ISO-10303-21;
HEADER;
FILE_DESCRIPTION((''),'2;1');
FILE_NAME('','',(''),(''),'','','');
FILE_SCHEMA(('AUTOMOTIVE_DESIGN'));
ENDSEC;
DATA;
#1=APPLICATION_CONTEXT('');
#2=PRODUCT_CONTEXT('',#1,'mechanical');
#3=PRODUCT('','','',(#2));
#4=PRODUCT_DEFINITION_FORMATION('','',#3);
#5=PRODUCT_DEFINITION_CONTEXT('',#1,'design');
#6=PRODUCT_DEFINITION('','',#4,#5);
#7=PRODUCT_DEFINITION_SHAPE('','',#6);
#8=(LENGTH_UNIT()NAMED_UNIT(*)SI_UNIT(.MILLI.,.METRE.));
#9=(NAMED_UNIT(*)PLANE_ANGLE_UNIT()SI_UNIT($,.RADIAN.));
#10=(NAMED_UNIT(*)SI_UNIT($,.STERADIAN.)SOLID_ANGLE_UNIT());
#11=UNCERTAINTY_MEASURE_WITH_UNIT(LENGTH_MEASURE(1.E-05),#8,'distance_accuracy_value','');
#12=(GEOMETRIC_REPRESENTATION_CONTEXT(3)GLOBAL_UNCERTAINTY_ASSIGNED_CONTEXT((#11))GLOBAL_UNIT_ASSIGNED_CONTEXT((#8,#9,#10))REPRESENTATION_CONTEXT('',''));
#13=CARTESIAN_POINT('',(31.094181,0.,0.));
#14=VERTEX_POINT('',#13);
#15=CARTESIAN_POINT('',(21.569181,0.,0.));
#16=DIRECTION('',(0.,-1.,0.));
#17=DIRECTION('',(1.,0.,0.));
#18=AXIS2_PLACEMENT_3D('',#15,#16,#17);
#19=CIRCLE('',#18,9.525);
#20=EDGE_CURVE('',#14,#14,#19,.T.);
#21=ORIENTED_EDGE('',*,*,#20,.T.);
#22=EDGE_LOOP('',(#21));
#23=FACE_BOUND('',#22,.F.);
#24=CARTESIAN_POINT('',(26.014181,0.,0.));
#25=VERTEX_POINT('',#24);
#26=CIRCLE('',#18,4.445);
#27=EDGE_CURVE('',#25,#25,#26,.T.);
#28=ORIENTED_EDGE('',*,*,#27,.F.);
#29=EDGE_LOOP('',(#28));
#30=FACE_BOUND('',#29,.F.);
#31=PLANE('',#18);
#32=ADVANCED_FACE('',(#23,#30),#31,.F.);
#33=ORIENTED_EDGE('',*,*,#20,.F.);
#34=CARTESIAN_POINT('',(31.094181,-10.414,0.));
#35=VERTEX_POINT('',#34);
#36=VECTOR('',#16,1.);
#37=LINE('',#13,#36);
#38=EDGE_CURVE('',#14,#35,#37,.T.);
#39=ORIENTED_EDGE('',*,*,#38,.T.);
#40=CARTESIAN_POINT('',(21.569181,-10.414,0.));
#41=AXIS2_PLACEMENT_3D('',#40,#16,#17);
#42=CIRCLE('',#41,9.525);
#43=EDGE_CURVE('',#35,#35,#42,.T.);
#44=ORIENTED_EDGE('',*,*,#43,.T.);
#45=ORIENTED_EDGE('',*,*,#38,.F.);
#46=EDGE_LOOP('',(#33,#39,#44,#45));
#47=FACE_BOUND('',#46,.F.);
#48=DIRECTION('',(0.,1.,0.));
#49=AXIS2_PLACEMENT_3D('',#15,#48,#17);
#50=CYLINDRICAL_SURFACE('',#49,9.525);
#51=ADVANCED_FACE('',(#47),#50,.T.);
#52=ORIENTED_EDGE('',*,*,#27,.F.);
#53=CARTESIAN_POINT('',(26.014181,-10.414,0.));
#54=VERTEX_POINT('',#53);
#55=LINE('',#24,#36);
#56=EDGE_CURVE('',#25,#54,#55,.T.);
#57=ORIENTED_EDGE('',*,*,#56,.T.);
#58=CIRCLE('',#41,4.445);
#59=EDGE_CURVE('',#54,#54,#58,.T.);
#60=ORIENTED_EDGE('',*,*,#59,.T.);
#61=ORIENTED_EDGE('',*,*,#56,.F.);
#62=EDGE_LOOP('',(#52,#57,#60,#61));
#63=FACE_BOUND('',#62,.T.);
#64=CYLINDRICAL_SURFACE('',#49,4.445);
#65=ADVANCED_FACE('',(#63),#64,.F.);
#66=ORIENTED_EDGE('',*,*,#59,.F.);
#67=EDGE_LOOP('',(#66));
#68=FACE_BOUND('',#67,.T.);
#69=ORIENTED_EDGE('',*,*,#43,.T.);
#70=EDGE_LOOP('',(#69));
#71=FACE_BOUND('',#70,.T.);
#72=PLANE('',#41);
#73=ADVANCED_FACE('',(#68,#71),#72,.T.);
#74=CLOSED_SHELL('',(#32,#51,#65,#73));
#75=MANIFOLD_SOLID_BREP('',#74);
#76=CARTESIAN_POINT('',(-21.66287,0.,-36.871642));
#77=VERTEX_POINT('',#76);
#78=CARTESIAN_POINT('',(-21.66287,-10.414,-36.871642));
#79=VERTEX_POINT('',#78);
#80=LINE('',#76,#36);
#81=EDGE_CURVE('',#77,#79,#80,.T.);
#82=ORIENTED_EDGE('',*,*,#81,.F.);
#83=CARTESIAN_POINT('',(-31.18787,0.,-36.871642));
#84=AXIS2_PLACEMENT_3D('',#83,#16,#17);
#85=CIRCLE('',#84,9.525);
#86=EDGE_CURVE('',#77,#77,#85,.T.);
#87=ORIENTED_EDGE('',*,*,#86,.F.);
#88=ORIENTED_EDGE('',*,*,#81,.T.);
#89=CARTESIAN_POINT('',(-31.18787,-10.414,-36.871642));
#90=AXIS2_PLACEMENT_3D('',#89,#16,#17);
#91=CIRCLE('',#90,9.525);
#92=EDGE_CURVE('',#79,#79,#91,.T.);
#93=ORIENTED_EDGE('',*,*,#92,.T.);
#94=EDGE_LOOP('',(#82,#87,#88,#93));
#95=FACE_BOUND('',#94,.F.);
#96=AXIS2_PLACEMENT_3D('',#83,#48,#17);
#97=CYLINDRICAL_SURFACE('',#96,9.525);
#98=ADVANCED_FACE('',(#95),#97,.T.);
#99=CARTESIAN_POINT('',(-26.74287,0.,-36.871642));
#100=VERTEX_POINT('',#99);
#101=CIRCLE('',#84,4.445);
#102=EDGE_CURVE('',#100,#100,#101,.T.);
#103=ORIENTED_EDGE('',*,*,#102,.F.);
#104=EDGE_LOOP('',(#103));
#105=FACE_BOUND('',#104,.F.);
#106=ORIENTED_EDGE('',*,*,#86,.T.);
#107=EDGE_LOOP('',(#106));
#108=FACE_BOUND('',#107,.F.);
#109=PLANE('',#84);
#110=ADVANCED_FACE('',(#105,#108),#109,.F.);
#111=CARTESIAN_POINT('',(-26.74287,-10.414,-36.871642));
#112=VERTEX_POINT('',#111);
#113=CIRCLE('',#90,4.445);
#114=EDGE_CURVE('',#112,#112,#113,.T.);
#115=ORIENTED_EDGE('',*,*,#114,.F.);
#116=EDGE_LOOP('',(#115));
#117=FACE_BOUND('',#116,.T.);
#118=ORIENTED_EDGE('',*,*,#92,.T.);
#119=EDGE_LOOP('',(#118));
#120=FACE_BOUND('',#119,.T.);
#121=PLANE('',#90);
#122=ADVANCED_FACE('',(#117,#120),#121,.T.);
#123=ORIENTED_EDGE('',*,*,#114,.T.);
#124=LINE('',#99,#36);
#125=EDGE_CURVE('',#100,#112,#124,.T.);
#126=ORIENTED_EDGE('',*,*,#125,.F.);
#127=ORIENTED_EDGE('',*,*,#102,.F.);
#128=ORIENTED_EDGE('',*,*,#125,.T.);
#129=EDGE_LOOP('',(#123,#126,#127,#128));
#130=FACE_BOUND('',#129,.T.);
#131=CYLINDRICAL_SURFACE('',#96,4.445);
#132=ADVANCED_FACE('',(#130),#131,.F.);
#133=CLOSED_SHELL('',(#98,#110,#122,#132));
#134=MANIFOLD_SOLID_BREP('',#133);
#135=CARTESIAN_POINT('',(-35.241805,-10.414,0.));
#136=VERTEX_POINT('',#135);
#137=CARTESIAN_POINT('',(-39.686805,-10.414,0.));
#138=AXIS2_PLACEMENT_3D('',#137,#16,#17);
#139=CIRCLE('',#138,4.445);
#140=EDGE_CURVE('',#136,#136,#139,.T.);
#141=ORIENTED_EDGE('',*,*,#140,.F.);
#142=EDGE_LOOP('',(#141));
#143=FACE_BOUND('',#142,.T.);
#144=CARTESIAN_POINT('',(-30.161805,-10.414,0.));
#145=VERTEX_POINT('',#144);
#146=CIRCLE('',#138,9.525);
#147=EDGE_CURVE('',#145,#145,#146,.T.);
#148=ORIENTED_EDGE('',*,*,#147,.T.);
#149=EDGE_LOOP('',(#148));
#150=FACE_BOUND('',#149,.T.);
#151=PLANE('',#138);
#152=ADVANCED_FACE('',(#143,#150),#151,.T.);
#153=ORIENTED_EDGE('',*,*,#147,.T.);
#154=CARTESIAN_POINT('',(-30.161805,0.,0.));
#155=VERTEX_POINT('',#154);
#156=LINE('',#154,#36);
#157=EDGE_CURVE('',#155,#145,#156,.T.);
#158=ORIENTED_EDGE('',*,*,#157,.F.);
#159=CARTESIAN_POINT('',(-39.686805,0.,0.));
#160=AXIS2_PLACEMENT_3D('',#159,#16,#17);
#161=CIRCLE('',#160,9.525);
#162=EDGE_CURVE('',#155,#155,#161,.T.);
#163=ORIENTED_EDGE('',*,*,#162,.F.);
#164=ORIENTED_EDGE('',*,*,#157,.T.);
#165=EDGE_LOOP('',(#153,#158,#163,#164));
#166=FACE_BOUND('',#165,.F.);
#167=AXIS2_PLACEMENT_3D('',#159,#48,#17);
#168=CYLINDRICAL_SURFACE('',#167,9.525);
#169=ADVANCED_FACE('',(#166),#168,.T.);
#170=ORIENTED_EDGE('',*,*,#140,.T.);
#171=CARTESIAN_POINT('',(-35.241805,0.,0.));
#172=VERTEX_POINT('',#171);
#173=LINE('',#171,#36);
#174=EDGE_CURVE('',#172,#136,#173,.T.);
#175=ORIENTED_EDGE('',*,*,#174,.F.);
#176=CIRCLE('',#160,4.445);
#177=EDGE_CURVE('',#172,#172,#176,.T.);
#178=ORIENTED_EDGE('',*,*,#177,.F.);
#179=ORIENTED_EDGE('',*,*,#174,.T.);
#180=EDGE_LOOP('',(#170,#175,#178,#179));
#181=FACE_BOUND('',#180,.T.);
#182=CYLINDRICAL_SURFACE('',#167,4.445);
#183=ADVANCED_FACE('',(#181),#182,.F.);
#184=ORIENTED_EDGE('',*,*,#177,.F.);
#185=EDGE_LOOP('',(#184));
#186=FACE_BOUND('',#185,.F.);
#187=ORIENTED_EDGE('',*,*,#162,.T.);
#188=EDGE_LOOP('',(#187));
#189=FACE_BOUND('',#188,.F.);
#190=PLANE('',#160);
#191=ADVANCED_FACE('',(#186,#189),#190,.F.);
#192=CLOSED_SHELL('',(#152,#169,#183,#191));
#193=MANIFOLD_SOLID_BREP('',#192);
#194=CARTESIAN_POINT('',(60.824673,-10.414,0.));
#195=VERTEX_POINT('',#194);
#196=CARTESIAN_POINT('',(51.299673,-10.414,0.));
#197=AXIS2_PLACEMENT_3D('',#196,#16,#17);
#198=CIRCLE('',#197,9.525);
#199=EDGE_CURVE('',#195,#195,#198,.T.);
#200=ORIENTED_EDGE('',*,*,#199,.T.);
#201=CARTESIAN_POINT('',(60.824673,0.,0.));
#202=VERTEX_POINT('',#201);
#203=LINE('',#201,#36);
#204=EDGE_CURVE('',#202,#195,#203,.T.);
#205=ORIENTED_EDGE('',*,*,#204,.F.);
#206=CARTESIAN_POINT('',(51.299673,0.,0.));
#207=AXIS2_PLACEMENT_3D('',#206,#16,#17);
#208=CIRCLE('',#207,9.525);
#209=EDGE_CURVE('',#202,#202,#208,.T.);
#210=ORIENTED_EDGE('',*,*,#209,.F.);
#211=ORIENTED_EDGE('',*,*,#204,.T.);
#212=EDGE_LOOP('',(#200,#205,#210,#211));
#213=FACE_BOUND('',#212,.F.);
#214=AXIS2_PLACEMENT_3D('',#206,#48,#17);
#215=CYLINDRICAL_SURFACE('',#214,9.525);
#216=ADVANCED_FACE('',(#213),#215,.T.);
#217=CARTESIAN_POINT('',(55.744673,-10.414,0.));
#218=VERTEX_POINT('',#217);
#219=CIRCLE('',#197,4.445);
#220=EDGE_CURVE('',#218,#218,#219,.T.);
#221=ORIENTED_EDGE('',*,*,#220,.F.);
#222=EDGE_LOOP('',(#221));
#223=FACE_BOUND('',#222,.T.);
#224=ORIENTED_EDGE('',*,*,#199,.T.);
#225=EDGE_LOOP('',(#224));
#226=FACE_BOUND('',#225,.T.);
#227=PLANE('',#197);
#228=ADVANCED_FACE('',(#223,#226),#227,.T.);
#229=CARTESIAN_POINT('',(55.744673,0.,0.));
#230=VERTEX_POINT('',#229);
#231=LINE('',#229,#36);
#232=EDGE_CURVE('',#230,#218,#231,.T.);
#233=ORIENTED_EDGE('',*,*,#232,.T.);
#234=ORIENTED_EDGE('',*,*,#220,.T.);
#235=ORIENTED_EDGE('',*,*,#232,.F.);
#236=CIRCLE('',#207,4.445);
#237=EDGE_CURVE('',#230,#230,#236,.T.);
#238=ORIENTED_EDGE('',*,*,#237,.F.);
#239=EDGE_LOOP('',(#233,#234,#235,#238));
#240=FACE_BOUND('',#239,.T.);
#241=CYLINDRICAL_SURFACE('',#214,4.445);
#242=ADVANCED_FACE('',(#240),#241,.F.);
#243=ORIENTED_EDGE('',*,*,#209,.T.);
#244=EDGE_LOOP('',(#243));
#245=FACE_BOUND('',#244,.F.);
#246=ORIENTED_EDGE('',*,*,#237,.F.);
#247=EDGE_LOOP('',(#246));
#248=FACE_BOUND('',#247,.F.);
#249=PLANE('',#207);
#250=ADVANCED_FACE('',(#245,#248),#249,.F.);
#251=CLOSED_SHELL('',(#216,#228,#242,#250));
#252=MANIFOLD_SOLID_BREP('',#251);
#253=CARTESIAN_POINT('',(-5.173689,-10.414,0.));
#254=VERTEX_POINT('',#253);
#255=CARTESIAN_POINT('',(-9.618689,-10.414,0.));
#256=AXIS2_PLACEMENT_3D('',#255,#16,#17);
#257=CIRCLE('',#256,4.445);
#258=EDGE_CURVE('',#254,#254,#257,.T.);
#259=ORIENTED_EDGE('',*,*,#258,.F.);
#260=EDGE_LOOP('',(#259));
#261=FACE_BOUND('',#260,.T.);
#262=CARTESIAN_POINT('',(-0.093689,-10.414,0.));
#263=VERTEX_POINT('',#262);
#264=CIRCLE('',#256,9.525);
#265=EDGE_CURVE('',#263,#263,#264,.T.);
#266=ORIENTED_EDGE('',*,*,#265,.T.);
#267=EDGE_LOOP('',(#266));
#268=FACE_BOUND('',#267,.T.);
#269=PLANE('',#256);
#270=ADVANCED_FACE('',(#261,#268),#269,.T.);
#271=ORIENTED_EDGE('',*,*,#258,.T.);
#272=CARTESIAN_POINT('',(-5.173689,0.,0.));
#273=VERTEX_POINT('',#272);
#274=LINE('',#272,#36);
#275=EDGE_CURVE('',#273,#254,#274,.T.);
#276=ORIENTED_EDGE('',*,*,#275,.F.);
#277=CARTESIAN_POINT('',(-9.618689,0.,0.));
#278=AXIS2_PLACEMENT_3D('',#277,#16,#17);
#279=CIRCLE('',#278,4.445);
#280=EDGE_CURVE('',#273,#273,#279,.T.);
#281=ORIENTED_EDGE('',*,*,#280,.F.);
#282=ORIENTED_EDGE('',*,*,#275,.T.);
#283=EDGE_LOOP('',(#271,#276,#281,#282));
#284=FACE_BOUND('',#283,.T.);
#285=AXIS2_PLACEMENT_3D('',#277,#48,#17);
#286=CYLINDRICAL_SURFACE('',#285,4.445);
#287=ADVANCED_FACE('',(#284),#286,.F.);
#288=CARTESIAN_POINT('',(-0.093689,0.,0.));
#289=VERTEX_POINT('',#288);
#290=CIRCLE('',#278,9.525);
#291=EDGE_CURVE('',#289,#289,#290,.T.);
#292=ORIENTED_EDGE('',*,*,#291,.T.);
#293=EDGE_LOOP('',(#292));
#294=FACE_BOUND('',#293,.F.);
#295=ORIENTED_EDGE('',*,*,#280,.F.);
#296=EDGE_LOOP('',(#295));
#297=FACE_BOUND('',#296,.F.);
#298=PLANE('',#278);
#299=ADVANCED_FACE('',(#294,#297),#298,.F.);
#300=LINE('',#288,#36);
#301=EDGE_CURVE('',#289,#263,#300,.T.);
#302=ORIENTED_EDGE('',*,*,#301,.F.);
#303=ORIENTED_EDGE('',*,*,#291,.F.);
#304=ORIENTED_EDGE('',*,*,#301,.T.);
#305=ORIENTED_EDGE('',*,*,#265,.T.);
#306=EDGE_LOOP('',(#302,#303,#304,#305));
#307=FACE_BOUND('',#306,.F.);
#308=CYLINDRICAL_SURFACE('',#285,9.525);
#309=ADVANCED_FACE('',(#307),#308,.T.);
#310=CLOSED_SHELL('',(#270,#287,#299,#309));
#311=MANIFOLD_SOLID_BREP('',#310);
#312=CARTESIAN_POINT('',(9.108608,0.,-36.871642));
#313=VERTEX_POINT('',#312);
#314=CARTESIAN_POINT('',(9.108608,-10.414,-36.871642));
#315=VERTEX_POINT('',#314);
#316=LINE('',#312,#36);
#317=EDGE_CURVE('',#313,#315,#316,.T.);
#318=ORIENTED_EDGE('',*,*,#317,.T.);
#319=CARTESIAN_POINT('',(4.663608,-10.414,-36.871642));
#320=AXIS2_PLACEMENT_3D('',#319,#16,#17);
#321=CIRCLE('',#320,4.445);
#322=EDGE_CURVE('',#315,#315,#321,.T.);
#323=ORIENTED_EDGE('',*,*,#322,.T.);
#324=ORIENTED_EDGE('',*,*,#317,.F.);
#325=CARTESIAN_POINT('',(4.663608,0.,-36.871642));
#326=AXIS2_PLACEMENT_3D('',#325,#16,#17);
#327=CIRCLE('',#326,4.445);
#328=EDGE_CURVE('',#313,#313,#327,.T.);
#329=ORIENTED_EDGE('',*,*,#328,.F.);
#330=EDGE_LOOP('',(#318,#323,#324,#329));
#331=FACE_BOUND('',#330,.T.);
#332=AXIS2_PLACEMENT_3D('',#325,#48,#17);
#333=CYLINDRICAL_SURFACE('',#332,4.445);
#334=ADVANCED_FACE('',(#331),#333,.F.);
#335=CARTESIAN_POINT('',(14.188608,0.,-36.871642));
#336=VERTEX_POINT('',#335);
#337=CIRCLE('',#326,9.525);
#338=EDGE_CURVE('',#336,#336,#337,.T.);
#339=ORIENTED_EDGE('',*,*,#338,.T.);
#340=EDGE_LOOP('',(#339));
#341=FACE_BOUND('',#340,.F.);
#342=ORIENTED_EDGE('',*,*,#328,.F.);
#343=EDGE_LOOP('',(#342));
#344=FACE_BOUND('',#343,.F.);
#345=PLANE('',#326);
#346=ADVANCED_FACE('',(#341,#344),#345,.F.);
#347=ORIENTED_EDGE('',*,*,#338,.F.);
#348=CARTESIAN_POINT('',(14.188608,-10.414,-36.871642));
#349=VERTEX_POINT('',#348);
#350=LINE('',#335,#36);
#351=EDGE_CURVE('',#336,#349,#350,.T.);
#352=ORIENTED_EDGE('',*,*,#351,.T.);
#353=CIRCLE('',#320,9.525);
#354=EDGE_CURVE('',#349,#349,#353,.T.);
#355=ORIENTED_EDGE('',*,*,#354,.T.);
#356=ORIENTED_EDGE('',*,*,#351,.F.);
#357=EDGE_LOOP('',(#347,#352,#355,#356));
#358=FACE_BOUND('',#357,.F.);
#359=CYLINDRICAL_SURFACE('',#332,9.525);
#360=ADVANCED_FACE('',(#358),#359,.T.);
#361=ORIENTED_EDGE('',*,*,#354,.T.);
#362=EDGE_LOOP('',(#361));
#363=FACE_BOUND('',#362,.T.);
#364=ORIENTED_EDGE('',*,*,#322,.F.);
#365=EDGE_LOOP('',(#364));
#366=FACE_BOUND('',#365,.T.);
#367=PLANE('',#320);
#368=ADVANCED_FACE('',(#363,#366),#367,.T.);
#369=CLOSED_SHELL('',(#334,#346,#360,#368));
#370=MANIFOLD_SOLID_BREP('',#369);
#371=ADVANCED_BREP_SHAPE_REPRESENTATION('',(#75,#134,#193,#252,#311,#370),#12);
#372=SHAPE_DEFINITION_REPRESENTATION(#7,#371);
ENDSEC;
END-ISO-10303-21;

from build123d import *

# Parameters (mm, degrees)
F0_R     = 9.525
F0_R_2   = 4.445
F1_DEPTH = 10.414


with BuildPart() as f1:
    # F0 (on Front) → F1 (new body)
    with BuildSketch(Plane.XZ):
        with Locations((-39.686805, 0)):
            Circle(F0_R)
        with Locations((-39.686805, 0)):
            Circle(F0_R_2, mode=Mode.SUBTRACT)
        with Locations((-9.618689, 0)):
            Circle(F0_R)
        with Locations((-9.618689, 0)):
            Circle(F0_R_2, mode=Mode.SUBTRACT)
        with Locations((21.569181, 0)):
            Circle(F0_R)
        with Locations((21.569181, 0)):
            Circle(F0_R_2, mode=Mode.SUBTRACT)
        with Locations((51.299673, 0)):
            Circle(F0_R)
        with Locations((51.299673, 0)):
            Circle(F0_R_2, mode=Mode.SUBTRACT)
        with Locations((-31.18787, -36.871642)):
            Circle(F0_R)
        with Locations((-31.18787, -36.871642)):
            Circle(F0_R_2, mode=Mode.SUBTRACT)
        with Locations((4.663608, -36.871642)):
            Circle(F0_R)
        with Locations((4.663608, -36.871642)):
            Circle(F0_R_2, mode=Mode.SUBTRACT)
    extrude(amount=F1_DEPTH)


solid = f1.part
